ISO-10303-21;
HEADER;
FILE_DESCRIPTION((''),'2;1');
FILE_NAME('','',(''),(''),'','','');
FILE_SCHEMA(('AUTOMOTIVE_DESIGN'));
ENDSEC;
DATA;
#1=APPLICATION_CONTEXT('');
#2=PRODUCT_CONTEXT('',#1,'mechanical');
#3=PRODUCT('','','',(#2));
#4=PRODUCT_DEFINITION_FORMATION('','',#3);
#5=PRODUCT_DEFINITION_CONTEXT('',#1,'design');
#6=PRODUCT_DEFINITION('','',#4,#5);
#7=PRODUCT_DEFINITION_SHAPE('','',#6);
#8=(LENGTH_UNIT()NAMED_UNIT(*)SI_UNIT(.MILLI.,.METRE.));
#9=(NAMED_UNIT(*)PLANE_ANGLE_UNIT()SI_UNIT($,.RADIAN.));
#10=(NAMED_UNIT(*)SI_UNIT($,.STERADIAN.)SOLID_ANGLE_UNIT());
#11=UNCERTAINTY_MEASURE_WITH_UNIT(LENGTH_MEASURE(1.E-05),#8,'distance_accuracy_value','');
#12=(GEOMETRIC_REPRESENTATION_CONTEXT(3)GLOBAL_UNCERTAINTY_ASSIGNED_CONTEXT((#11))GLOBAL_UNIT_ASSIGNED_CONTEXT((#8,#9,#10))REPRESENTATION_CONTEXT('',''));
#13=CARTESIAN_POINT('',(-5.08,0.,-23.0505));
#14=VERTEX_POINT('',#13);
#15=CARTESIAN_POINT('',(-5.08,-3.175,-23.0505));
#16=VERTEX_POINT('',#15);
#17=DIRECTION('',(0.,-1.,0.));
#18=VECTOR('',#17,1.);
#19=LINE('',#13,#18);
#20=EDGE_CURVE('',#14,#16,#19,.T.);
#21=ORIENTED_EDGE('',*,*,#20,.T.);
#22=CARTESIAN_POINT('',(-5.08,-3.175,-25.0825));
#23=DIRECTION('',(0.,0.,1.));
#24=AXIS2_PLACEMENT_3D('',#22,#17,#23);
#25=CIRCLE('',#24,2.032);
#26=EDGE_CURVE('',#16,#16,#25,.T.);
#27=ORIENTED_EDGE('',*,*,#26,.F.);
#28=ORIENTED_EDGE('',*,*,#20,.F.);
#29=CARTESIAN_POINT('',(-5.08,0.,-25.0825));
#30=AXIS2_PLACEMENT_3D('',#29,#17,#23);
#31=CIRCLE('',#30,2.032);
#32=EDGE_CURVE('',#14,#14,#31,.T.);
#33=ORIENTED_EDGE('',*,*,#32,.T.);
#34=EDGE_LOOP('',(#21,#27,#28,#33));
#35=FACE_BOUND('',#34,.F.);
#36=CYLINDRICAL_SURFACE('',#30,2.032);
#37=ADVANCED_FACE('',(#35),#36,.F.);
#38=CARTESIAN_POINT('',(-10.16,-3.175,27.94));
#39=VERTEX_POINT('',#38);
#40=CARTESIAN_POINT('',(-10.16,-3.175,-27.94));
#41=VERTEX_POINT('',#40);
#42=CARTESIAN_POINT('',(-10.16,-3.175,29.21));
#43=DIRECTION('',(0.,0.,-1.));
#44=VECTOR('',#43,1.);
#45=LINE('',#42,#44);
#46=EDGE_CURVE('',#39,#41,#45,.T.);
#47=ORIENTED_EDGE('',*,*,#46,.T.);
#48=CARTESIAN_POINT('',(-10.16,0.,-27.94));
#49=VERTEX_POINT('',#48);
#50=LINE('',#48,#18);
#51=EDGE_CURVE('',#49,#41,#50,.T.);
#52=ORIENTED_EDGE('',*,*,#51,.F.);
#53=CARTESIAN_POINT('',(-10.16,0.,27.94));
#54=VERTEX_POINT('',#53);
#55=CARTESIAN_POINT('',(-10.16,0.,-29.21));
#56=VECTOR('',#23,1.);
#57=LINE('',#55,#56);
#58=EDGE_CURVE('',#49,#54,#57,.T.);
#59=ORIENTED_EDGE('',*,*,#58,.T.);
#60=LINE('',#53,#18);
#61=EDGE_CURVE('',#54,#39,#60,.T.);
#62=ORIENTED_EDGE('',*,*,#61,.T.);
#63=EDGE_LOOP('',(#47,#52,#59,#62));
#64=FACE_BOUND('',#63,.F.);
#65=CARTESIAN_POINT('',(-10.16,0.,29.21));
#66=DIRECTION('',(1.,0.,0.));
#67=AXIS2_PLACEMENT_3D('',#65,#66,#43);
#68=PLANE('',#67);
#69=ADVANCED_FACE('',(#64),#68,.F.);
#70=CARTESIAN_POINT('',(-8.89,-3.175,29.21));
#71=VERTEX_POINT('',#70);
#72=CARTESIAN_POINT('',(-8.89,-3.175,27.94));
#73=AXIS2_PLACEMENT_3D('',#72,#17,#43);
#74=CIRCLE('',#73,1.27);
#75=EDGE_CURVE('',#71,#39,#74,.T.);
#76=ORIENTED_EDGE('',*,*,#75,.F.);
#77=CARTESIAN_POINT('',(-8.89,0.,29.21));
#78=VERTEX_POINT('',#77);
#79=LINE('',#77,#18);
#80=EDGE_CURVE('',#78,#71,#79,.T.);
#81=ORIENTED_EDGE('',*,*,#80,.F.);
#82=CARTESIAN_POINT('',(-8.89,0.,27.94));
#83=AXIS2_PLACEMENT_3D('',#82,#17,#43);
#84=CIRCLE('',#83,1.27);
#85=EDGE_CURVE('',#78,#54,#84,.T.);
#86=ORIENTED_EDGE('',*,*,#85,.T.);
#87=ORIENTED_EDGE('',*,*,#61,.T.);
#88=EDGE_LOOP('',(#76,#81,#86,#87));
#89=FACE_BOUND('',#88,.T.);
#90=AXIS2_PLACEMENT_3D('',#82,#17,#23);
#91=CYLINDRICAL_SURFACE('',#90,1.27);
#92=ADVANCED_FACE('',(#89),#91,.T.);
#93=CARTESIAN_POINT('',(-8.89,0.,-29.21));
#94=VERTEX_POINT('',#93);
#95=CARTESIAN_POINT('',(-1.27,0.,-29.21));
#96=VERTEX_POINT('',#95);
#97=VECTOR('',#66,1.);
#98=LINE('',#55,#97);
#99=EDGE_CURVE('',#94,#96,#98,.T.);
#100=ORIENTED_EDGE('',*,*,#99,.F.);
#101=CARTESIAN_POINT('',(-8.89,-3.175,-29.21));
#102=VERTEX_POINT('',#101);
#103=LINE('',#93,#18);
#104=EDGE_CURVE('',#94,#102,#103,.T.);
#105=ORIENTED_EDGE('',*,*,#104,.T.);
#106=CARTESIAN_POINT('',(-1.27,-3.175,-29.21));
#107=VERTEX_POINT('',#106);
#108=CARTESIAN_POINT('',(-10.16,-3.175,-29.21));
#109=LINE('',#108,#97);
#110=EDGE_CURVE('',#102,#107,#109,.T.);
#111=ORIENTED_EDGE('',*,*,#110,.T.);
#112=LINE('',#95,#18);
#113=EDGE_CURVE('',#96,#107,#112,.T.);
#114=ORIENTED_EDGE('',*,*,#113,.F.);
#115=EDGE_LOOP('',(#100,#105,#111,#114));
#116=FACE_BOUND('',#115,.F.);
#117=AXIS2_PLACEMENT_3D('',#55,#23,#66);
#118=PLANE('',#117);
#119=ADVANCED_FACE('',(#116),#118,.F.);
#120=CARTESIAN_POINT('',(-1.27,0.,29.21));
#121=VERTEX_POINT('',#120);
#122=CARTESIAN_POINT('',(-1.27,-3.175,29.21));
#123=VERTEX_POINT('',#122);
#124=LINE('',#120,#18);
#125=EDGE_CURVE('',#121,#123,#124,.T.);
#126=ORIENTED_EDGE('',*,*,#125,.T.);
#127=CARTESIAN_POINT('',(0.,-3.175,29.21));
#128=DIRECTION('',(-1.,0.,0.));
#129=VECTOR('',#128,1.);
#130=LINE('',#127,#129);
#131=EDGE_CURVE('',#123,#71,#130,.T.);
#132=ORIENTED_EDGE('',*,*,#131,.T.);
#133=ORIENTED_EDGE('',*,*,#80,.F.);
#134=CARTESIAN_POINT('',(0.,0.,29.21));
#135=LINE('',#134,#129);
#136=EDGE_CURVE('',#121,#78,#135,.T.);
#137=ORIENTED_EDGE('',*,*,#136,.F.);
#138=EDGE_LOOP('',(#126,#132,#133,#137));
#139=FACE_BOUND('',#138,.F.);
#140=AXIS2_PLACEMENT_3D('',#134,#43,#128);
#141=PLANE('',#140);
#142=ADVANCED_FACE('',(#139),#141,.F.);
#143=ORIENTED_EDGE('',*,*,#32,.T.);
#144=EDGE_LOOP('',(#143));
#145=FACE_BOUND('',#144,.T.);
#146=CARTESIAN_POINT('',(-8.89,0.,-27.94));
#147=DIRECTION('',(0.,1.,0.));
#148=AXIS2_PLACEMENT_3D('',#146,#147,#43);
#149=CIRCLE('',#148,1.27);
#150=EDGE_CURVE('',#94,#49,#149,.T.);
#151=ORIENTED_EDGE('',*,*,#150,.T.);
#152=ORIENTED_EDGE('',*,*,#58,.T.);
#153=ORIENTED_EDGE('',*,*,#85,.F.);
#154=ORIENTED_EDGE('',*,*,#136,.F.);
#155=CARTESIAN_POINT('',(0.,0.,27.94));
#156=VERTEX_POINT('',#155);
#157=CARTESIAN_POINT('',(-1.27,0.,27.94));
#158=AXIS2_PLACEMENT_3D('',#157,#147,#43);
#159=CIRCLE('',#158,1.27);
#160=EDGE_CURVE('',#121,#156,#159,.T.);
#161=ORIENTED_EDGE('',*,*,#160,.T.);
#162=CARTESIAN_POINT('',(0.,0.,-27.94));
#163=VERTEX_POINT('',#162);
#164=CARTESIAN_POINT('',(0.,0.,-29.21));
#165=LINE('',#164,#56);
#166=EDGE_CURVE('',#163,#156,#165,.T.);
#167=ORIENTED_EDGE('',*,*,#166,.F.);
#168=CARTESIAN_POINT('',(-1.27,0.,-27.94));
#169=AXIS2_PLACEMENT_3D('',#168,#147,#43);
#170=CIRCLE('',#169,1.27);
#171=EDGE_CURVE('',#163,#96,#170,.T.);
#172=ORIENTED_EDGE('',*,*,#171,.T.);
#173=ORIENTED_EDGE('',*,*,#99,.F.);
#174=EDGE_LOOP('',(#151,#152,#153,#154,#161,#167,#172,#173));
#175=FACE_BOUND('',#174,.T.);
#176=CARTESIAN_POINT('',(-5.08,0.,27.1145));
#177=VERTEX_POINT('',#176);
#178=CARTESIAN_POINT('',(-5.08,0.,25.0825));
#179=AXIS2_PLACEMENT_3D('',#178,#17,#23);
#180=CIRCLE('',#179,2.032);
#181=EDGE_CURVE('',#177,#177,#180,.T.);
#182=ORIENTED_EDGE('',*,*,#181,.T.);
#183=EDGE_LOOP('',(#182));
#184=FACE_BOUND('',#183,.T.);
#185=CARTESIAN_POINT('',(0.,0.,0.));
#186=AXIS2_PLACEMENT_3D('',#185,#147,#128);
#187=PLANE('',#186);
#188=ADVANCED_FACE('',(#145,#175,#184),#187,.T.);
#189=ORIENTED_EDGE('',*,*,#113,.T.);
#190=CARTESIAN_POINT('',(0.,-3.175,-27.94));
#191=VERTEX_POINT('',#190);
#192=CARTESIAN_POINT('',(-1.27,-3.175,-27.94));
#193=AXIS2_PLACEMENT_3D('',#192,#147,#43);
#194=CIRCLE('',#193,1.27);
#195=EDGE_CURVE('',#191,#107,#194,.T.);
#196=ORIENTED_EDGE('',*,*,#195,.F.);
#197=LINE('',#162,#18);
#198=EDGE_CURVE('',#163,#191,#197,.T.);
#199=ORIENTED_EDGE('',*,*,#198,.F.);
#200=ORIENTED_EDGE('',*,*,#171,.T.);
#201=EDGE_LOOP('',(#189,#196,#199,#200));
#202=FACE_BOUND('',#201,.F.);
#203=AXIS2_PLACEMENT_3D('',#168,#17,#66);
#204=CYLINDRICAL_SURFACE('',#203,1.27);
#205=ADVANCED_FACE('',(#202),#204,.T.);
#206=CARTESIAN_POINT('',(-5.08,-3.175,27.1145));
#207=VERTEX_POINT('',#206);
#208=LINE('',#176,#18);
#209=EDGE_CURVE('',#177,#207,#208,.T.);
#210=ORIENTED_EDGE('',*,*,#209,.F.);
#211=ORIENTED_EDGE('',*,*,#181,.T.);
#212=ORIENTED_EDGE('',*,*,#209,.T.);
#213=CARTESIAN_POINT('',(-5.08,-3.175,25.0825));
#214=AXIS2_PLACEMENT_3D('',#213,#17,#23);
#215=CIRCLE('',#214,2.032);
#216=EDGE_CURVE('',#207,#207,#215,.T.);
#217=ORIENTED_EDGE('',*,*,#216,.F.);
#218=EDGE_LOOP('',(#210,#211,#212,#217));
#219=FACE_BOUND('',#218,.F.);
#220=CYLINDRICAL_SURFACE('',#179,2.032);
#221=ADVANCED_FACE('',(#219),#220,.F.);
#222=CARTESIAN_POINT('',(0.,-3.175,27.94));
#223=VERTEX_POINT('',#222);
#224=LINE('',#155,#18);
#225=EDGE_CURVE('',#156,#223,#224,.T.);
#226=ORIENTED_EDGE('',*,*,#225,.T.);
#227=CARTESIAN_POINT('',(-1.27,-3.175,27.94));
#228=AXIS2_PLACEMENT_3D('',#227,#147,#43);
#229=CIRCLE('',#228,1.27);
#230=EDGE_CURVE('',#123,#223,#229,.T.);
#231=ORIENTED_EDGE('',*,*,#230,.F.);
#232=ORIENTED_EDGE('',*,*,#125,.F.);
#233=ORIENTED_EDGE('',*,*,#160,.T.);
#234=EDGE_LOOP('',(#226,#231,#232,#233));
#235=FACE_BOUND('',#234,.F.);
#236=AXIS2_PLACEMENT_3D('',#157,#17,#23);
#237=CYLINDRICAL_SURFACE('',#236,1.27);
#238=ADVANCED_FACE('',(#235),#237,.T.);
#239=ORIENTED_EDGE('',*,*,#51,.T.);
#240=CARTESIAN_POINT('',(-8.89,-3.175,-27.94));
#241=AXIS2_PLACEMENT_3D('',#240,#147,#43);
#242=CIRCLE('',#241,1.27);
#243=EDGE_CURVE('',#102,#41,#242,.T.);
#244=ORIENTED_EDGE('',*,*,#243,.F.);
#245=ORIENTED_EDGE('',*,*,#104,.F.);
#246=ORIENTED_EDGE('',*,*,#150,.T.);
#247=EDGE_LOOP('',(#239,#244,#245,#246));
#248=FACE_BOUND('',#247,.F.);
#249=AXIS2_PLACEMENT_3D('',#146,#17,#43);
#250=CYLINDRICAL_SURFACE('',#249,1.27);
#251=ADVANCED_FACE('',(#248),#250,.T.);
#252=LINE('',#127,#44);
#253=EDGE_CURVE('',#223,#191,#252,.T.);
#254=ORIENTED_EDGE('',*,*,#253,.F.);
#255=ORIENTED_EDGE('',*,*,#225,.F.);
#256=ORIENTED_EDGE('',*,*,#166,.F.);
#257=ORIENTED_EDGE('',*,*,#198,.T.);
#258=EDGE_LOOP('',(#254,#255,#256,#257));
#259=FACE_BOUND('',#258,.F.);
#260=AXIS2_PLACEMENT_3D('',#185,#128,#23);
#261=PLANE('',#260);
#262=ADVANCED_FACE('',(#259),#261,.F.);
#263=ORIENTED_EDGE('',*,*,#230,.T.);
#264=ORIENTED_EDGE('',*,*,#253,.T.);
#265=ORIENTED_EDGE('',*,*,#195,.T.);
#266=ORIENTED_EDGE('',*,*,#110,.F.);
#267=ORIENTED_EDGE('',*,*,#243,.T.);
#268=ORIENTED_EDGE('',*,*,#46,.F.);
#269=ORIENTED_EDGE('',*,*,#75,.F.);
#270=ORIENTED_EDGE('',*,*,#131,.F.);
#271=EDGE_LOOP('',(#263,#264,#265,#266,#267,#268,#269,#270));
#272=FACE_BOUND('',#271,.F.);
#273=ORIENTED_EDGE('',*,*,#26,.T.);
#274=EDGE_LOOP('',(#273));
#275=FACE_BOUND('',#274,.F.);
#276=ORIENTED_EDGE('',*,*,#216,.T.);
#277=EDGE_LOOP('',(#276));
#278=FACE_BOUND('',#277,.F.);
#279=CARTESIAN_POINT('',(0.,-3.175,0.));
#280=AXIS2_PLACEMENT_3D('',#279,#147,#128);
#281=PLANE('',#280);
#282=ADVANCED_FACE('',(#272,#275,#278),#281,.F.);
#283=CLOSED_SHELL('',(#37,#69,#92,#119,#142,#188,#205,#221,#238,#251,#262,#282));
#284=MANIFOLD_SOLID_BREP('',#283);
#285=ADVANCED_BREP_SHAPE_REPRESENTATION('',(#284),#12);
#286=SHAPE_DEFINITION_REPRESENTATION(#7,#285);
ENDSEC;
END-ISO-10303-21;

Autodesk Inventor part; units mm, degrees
ref_plane "YZ Plane" through (0, 0, 0) normal (1, 0, 0) x (0, 1, 0)
ref_plane "XZ Plane" through (0, 0, 0) normal (0, 1, 0) x (-1, 0, 0)
ref_plane "XY Plane" through (0, 0, 0) normal (0, 0, 1) x (1, 0, 0)
sketch "Sketch1" plane through (0, 0, 0) normal (0, 1, 0) x (-1, 0, 0)
  line L0 (-2.032, 0) -> (12.192, 0) projected
  line L1 (0, -40.894) -> (0, 40.894) projected
  line L2 (10.16, -29.21) -> (0, -29.21)
  line L3 (0, -29.21) -> (0, 29.21)
  line L4 (0, 29.21) -> (10.16, 29.21)
  line L5 (10.16, 29.21) -> (10.16, -29.21)
  line L6 (10.16, -29.21) -> (0, 29.21) construction
  line L7 (0, -29.21) -> (10.16, 29.21) construction
  point P0 (0, 0)
  point P1 (5.08, 0)
  point P2 (5.08, 25.0825)
  point P3 (5.08, 0)
  point P4 (5.08, -25.0825)
  point P5 (0, -29.21)
  dimension "d0" = 58.42
  dimension "d1" = 10.16
  dimension "d2" = 5.08
  dimension "d3" = 25.0825
  dimension "d4" = 25.0825
extrude "Extrusion1" add sketch "Sketch1" against normal blind 3.175
fillet "Fillet1" radius 1.27 2 edges at (-10.16, -1.5875, 29.21) (-10.16, -1.5875, -29.21)
fillet "Fillet2" radius 1.27 2 edges at (0, -1.5875, 29.21) (0, -1.5875, -29.21)
hole "Hole1" at (-5.08, 0, 25.0825) at (-5.08, 0, -25.0825) direction (0, -1, 0) diameter 4.064 end through all
equation "\"d4\" = d3"
